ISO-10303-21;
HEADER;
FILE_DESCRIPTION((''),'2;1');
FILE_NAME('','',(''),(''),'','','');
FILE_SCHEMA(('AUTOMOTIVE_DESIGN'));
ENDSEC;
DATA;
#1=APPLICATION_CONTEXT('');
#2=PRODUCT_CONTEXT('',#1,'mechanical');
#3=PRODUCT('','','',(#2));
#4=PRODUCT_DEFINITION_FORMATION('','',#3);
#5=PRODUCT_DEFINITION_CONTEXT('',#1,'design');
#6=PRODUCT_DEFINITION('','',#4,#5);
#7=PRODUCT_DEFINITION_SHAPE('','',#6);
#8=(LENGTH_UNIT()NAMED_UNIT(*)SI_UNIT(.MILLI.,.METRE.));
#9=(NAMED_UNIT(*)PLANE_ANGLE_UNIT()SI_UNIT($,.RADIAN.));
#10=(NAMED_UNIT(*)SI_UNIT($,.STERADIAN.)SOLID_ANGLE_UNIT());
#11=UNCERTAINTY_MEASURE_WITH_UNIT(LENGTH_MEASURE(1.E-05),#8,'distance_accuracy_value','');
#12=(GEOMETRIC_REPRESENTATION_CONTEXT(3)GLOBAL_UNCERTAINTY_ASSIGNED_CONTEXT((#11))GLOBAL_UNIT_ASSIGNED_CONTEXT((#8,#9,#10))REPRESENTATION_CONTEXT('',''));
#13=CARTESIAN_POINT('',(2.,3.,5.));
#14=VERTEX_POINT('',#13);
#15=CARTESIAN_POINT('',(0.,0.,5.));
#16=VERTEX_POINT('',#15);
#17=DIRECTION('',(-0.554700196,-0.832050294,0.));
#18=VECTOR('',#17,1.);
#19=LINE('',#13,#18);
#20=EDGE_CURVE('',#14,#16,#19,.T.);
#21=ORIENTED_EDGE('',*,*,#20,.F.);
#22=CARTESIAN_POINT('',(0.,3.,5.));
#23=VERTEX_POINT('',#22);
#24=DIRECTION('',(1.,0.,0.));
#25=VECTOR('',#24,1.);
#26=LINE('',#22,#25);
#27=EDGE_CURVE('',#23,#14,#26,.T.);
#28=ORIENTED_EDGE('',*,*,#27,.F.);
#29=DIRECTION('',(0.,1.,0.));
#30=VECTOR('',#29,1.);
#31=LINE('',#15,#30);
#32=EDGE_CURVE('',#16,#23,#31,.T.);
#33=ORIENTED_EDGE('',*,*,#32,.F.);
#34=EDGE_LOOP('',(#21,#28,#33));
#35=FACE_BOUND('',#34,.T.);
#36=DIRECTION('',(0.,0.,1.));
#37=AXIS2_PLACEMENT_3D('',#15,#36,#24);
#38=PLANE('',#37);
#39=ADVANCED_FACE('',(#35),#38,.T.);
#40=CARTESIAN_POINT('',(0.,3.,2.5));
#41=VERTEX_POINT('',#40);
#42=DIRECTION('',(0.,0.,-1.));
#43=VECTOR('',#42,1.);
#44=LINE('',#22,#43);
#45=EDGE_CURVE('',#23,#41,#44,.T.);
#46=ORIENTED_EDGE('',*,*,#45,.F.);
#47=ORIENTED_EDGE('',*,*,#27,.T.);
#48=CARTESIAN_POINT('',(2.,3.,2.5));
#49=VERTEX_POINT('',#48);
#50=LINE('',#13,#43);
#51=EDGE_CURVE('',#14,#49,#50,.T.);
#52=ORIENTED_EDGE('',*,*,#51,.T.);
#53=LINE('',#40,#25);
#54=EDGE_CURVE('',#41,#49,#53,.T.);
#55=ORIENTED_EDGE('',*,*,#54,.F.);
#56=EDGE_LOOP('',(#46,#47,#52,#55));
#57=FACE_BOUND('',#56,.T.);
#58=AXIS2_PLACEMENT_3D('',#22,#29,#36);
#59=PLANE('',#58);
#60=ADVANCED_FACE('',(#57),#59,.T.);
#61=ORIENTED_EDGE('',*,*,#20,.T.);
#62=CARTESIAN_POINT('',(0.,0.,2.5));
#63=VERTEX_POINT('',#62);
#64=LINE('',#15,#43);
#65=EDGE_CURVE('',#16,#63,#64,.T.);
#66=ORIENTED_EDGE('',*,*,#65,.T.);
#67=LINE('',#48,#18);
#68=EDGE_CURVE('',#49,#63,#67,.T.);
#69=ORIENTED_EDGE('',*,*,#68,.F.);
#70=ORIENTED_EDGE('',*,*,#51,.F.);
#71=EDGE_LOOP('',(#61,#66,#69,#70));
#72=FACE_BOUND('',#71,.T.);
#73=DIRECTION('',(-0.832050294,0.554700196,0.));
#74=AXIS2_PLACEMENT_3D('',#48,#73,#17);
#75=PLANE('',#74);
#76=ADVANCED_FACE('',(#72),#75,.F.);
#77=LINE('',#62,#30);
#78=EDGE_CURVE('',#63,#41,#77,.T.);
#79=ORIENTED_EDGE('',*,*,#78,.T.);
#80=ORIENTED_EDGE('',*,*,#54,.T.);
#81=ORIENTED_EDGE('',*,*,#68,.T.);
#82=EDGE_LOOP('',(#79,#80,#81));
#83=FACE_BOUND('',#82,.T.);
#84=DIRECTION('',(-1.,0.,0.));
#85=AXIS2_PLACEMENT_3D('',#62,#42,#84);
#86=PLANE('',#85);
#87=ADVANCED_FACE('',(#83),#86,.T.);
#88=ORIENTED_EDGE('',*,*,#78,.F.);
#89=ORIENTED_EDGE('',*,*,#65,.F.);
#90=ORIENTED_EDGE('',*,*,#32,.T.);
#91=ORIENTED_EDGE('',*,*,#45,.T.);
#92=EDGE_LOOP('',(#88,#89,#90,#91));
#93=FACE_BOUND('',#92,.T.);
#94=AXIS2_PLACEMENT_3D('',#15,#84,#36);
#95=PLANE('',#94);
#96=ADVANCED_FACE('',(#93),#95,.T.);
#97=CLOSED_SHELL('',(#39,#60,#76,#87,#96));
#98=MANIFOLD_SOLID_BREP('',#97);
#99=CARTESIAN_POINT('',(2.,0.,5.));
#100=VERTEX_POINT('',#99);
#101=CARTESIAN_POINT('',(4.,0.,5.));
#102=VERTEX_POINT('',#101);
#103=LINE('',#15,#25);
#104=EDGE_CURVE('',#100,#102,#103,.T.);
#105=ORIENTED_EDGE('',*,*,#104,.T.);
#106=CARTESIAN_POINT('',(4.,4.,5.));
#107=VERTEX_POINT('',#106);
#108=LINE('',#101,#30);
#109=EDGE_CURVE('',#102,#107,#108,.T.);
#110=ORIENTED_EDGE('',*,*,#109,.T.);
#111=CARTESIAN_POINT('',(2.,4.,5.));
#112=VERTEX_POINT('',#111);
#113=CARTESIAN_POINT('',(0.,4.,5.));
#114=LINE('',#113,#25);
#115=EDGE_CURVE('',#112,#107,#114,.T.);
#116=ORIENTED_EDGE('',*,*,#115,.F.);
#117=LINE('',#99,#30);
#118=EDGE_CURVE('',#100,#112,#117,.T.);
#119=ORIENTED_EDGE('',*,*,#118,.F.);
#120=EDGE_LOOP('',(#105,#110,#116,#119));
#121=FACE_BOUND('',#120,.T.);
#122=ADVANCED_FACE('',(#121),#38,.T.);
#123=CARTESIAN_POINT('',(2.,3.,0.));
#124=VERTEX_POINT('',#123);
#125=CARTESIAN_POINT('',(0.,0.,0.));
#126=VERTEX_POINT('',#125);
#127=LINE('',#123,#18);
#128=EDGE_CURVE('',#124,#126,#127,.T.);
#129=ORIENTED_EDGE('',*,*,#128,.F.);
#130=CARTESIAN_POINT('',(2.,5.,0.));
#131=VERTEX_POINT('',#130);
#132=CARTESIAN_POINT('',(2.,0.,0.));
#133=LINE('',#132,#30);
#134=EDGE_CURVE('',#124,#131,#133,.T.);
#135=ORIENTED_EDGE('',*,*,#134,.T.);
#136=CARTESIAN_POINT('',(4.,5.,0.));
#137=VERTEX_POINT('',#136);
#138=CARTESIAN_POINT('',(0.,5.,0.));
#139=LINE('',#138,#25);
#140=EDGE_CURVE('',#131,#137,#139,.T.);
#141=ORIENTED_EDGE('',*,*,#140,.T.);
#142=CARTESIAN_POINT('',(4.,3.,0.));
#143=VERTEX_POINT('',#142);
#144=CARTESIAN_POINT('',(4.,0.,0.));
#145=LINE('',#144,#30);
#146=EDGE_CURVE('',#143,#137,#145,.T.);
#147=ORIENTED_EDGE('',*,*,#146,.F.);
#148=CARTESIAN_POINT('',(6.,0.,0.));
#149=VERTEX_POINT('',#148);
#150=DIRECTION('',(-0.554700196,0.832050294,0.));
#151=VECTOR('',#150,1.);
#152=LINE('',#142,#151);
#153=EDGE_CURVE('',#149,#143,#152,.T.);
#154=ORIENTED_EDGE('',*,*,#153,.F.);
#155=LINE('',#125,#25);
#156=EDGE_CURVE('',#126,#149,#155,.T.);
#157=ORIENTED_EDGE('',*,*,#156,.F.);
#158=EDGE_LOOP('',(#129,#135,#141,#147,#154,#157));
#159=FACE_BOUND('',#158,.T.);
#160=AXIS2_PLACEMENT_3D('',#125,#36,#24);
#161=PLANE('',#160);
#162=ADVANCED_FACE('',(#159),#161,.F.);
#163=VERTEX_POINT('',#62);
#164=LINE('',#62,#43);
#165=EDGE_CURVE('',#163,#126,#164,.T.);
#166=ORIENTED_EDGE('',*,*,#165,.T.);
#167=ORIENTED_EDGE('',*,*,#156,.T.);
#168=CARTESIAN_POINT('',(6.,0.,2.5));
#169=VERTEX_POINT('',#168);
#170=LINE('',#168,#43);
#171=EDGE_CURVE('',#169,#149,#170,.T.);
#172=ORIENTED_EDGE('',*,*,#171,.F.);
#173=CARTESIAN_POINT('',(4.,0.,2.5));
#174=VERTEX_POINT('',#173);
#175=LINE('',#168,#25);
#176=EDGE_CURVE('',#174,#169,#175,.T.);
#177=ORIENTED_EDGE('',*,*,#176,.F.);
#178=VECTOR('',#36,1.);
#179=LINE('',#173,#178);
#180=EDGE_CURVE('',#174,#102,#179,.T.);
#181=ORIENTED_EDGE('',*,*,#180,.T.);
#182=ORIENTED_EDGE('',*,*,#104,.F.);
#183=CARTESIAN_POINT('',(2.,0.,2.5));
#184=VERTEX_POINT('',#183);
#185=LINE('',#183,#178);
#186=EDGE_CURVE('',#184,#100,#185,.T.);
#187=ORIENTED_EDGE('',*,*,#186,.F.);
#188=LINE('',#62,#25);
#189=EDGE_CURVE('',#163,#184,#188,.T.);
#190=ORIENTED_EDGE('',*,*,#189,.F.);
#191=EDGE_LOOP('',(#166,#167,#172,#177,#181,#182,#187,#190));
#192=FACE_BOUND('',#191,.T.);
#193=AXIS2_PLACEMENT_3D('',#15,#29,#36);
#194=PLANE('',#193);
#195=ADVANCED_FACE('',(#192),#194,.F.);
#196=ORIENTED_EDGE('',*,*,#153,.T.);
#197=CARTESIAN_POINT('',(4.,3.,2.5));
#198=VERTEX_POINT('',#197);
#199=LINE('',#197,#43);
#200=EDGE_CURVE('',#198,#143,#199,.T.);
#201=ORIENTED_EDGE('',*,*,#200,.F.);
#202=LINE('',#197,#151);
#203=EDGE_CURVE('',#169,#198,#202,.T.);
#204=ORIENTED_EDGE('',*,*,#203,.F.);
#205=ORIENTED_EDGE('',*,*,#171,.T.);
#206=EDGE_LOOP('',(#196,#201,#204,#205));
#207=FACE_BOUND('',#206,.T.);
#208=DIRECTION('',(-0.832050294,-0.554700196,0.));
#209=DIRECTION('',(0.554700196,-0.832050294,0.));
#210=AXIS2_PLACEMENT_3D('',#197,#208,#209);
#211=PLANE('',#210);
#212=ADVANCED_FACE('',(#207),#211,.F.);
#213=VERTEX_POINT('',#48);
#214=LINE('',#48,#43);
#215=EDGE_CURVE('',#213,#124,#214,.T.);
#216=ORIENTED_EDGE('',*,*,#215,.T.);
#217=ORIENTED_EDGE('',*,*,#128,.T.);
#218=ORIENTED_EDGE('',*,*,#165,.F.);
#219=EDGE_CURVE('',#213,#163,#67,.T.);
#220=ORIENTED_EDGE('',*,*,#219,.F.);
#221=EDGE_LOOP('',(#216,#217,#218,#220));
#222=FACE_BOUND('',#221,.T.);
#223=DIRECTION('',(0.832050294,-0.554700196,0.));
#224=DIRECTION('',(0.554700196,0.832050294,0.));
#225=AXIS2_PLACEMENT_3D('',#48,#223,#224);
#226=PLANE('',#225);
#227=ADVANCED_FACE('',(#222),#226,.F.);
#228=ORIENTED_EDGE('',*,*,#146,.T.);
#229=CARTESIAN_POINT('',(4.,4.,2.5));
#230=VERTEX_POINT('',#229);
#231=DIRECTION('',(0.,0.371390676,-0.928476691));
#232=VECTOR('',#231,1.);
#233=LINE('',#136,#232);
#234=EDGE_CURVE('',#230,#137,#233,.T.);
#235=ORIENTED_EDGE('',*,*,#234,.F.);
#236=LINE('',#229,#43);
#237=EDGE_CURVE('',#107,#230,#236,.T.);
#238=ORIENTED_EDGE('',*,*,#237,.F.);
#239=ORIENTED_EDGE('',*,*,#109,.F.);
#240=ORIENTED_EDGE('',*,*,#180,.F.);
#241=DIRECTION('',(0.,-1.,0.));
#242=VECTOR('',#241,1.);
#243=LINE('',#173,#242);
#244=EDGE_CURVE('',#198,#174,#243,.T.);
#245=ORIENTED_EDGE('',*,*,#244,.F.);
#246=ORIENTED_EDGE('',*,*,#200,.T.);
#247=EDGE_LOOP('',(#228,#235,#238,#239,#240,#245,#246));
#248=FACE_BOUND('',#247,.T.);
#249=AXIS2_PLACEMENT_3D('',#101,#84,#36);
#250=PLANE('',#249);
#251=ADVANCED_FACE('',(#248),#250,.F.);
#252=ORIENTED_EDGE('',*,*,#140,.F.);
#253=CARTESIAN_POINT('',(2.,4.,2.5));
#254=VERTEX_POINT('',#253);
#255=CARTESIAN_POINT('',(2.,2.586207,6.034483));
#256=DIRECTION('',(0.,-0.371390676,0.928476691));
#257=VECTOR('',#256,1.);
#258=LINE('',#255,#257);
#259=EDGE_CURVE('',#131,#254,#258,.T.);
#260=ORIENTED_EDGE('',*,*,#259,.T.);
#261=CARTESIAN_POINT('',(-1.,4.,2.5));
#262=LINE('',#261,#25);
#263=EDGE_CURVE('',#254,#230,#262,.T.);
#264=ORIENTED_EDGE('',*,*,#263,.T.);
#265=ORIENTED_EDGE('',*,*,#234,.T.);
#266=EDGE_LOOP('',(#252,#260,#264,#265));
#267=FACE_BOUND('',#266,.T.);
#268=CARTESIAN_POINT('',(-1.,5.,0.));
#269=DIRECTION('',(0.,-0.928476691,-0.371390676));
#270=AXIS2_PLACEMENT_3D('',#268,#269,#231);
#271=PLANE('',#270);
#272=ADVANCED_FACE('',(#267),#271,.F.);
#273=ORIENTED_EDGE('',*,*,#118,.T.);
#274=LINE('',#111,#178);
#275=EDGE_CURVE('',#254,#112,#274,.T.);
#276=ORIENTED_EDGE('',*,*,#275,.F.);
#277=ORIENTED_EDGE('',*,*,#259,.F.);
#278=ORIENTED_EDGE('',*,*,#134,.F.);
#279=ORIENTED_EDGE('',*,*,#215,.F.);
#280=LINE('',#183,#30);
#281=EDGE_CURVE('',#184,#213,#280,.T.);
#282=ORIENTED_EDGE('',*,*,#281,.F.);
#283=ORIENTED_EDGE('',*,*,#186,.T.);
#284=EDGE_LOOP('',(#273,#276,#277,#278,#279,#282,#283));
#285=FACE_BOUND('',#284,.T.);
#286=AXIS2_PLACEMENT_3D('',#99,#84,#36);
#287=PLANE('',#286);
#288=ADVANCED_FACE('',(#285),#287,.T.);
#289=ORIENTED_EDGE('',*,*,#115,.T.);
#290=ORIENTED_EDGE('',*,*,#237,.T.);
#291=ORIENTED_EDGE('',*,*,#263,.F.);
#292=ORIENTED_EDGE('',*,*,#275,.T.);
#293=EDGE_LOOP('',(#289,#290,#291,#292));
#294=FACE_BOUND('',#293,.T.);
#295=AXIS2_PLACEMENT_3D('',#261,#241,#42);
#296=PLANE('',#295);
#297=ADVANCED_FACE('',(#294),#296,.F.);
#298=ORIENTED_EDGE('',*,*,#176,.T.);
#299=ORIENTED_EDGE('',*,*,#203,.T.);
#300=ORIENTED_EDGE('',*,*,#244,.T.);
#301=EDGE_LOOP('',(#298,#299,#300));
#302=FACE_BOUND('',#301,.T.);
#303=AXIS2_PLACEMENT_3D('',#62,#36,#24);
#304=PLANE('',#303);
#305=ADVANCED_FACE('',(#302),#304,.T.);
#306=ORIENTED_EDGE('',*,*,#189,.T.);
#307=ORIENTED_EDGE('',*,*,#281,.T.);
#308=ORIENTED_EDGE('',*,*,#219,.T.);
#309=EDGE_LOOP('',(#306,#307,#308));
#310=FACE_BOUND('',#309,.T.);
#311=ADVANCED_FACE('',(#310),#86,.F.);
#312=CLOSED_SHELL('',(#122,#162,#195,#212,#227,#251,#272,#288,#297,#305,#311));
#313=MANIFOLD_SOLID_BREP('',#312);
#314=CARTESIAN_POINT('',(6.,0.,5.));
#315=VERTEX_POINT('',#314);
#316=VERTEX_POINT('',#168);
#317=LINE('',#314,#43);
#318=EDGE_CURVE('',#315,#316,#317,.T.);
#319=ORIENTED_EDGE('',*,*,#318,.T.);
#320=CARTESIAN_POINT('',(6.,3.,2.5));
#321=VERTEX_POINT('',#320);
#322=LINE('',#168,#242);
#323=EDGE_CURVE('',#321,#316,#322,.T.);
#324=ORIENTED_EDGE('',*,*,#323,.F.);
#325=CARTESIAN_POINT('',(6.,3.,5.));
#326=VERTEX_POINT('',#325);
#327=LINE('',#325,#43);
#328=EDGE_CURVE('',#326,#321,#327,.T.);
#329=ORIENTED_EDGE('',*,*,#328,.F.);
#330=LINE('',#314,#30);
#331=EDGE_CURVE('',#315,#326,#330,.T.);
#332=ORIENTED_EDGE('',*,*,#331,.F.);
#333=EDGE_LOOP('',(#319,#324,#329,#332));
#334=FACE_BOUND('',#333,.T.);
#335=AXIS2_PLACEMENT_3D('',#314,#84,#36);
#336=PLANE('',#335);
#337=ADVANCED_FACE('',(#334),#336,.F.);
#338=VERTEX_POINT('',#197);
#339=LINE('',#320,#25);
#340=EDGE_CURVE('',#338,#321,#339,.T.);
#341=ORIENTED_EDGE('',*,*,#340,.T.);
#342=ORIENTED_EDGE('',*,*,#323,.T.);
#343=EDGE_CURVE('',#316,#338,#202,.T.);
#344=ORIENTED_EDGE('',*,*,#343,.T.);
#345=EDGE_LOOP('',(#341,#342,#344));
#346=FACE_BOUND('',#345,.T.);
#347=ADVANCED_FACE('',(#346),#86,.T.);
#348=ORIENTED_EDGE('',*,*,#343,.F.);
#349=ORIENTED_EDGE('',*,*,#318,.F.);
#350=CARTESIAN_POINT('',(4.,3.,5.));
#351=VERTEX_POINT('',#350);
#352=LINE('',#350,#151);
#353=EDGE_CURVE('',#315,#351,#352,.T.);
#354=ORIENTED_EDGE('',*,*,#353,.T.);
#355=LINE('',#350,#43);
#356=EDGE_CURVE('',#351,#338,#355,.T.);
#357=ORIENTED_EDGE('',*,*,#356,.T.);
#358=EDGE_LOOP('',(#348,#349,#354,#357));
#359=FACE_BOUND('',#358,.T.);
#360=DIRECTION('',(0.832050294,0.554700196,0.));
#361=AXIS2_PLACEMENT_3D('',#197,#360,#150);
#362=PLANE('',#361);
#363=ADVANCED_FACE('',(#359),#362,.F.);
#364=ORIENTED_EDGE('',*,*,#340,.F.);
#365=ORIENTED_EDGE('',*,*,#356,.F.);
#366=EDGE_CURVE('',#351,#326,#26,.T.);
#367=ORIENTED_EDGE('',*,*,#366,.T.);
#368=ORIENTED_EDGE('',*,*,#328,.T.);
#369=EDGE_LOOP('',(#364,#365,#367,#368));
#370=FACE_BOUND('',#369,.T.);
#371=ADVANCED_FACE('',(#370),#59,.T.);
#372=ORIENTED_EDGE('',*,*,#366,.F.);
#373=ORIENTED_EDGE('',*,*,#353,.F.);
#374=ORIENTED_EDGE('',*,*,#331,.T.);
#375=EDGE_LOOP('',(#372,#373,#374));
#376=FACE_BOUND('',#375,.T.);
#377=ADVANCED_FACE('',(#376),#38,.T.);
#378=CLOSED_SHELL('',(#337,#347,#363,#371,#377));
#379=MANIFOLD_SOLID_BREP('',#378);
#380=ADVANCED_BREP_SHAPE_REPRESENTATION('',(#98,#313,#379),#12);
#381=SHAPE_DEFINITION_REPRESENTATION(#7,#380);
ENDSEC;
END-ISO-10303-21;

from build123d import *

# Parameters (mm, degrees)
SKETCH1_W           = 6
SKETCH1_H           = 3
SKETCH1_W_2         = 2
SKETCH1_H_2         = 2
BOSS_EXTRUDE1_DEPTH = 5
CUT_EXTRUDE2_DEPTH  = 5
CUT_EXTRUDE14_DEPTH = 2.5
CUT_EXTRUDE15_DEPTH = 2.5
CUT_EXTRUDE17_DEPTH = 2.5
CUT_EXTRUDE18_DEPTH = 2.5


with BuildPart() as part:
    # Sketch1 → Boss-Extrude1 (new body)
    with BuildSketch(Plane.XY):
        with Locations((3, 1.5)):
            Rectangle(SKETCH1_W, SKETCH1_H)
        with Locations((3, 4)):
            Rectangle(SKETCH1_W_2, SKETCH1_H_2)
    extrude(amount=BOSS_EXTRUDE1_DEPTH)

    # Sketch2 → Cut-Extrude2 (cut)
    with BuildSketch(Plane(origin=(4, 0, 0), x_dir=(0, 0, -1), z_dir=(1, 0, 0))):
        Polygon((0, 5), (-2.5, 4), (-5, 4), (-5, 5), align=None)
    extrude(amount=-CUT_EXTRUDE2_DEPTH, mode=Mode.SUBTRACT)

    # Sketch8 → Cut-Extrude14 (cut)
    with BuildSketch(Plane(origin=(0, 0, 0), x_dir=(-1, 0, 0), z_dir=(0, 0, -1))):
        Polygon((-4, 3), (-6, 0), (-6, 3), align=None)
    extrude(amount=-CUT_EXTRUDE14_DEPTH, mode=Mode.SUBTRACT)

    # Sketch9 → Cut-Extrude15 (cut)
    with BuildSketch(Plane.XY.offset(5)):
        Polygon((4, 3), (6, 0), (4, 0), align=None)
    extrude(amount=-CUT_EXTRUDE15_DEPTH, mode=Mode.SUBTRACT)

    # Sketch11 → Cut-Extrude17 (cut)
    with BuildSketch(Plane(origin=(0, 0, 0), x_dir=(-1, 0, 0), z_dir=(0, 0, -1))):
        Polygon((0, 3), (-2, 3), (0, 0), align=None)
    extrude(amount=-CUT_EXTRUDE17_DEPTH, mode=Mode.SUBTRACT)

    # Sketch10 → Cut-Extrude18 (cut)
    with BuildSketch(Plane.XY.offset(5)):
        Polygon((2, 3), (0, 0), (2, 0), align=None)
    extrude(amount=-CUT_EXTRUDE18_DEPTH, mode=Mode.SUBTRACT)


solid = part.part
